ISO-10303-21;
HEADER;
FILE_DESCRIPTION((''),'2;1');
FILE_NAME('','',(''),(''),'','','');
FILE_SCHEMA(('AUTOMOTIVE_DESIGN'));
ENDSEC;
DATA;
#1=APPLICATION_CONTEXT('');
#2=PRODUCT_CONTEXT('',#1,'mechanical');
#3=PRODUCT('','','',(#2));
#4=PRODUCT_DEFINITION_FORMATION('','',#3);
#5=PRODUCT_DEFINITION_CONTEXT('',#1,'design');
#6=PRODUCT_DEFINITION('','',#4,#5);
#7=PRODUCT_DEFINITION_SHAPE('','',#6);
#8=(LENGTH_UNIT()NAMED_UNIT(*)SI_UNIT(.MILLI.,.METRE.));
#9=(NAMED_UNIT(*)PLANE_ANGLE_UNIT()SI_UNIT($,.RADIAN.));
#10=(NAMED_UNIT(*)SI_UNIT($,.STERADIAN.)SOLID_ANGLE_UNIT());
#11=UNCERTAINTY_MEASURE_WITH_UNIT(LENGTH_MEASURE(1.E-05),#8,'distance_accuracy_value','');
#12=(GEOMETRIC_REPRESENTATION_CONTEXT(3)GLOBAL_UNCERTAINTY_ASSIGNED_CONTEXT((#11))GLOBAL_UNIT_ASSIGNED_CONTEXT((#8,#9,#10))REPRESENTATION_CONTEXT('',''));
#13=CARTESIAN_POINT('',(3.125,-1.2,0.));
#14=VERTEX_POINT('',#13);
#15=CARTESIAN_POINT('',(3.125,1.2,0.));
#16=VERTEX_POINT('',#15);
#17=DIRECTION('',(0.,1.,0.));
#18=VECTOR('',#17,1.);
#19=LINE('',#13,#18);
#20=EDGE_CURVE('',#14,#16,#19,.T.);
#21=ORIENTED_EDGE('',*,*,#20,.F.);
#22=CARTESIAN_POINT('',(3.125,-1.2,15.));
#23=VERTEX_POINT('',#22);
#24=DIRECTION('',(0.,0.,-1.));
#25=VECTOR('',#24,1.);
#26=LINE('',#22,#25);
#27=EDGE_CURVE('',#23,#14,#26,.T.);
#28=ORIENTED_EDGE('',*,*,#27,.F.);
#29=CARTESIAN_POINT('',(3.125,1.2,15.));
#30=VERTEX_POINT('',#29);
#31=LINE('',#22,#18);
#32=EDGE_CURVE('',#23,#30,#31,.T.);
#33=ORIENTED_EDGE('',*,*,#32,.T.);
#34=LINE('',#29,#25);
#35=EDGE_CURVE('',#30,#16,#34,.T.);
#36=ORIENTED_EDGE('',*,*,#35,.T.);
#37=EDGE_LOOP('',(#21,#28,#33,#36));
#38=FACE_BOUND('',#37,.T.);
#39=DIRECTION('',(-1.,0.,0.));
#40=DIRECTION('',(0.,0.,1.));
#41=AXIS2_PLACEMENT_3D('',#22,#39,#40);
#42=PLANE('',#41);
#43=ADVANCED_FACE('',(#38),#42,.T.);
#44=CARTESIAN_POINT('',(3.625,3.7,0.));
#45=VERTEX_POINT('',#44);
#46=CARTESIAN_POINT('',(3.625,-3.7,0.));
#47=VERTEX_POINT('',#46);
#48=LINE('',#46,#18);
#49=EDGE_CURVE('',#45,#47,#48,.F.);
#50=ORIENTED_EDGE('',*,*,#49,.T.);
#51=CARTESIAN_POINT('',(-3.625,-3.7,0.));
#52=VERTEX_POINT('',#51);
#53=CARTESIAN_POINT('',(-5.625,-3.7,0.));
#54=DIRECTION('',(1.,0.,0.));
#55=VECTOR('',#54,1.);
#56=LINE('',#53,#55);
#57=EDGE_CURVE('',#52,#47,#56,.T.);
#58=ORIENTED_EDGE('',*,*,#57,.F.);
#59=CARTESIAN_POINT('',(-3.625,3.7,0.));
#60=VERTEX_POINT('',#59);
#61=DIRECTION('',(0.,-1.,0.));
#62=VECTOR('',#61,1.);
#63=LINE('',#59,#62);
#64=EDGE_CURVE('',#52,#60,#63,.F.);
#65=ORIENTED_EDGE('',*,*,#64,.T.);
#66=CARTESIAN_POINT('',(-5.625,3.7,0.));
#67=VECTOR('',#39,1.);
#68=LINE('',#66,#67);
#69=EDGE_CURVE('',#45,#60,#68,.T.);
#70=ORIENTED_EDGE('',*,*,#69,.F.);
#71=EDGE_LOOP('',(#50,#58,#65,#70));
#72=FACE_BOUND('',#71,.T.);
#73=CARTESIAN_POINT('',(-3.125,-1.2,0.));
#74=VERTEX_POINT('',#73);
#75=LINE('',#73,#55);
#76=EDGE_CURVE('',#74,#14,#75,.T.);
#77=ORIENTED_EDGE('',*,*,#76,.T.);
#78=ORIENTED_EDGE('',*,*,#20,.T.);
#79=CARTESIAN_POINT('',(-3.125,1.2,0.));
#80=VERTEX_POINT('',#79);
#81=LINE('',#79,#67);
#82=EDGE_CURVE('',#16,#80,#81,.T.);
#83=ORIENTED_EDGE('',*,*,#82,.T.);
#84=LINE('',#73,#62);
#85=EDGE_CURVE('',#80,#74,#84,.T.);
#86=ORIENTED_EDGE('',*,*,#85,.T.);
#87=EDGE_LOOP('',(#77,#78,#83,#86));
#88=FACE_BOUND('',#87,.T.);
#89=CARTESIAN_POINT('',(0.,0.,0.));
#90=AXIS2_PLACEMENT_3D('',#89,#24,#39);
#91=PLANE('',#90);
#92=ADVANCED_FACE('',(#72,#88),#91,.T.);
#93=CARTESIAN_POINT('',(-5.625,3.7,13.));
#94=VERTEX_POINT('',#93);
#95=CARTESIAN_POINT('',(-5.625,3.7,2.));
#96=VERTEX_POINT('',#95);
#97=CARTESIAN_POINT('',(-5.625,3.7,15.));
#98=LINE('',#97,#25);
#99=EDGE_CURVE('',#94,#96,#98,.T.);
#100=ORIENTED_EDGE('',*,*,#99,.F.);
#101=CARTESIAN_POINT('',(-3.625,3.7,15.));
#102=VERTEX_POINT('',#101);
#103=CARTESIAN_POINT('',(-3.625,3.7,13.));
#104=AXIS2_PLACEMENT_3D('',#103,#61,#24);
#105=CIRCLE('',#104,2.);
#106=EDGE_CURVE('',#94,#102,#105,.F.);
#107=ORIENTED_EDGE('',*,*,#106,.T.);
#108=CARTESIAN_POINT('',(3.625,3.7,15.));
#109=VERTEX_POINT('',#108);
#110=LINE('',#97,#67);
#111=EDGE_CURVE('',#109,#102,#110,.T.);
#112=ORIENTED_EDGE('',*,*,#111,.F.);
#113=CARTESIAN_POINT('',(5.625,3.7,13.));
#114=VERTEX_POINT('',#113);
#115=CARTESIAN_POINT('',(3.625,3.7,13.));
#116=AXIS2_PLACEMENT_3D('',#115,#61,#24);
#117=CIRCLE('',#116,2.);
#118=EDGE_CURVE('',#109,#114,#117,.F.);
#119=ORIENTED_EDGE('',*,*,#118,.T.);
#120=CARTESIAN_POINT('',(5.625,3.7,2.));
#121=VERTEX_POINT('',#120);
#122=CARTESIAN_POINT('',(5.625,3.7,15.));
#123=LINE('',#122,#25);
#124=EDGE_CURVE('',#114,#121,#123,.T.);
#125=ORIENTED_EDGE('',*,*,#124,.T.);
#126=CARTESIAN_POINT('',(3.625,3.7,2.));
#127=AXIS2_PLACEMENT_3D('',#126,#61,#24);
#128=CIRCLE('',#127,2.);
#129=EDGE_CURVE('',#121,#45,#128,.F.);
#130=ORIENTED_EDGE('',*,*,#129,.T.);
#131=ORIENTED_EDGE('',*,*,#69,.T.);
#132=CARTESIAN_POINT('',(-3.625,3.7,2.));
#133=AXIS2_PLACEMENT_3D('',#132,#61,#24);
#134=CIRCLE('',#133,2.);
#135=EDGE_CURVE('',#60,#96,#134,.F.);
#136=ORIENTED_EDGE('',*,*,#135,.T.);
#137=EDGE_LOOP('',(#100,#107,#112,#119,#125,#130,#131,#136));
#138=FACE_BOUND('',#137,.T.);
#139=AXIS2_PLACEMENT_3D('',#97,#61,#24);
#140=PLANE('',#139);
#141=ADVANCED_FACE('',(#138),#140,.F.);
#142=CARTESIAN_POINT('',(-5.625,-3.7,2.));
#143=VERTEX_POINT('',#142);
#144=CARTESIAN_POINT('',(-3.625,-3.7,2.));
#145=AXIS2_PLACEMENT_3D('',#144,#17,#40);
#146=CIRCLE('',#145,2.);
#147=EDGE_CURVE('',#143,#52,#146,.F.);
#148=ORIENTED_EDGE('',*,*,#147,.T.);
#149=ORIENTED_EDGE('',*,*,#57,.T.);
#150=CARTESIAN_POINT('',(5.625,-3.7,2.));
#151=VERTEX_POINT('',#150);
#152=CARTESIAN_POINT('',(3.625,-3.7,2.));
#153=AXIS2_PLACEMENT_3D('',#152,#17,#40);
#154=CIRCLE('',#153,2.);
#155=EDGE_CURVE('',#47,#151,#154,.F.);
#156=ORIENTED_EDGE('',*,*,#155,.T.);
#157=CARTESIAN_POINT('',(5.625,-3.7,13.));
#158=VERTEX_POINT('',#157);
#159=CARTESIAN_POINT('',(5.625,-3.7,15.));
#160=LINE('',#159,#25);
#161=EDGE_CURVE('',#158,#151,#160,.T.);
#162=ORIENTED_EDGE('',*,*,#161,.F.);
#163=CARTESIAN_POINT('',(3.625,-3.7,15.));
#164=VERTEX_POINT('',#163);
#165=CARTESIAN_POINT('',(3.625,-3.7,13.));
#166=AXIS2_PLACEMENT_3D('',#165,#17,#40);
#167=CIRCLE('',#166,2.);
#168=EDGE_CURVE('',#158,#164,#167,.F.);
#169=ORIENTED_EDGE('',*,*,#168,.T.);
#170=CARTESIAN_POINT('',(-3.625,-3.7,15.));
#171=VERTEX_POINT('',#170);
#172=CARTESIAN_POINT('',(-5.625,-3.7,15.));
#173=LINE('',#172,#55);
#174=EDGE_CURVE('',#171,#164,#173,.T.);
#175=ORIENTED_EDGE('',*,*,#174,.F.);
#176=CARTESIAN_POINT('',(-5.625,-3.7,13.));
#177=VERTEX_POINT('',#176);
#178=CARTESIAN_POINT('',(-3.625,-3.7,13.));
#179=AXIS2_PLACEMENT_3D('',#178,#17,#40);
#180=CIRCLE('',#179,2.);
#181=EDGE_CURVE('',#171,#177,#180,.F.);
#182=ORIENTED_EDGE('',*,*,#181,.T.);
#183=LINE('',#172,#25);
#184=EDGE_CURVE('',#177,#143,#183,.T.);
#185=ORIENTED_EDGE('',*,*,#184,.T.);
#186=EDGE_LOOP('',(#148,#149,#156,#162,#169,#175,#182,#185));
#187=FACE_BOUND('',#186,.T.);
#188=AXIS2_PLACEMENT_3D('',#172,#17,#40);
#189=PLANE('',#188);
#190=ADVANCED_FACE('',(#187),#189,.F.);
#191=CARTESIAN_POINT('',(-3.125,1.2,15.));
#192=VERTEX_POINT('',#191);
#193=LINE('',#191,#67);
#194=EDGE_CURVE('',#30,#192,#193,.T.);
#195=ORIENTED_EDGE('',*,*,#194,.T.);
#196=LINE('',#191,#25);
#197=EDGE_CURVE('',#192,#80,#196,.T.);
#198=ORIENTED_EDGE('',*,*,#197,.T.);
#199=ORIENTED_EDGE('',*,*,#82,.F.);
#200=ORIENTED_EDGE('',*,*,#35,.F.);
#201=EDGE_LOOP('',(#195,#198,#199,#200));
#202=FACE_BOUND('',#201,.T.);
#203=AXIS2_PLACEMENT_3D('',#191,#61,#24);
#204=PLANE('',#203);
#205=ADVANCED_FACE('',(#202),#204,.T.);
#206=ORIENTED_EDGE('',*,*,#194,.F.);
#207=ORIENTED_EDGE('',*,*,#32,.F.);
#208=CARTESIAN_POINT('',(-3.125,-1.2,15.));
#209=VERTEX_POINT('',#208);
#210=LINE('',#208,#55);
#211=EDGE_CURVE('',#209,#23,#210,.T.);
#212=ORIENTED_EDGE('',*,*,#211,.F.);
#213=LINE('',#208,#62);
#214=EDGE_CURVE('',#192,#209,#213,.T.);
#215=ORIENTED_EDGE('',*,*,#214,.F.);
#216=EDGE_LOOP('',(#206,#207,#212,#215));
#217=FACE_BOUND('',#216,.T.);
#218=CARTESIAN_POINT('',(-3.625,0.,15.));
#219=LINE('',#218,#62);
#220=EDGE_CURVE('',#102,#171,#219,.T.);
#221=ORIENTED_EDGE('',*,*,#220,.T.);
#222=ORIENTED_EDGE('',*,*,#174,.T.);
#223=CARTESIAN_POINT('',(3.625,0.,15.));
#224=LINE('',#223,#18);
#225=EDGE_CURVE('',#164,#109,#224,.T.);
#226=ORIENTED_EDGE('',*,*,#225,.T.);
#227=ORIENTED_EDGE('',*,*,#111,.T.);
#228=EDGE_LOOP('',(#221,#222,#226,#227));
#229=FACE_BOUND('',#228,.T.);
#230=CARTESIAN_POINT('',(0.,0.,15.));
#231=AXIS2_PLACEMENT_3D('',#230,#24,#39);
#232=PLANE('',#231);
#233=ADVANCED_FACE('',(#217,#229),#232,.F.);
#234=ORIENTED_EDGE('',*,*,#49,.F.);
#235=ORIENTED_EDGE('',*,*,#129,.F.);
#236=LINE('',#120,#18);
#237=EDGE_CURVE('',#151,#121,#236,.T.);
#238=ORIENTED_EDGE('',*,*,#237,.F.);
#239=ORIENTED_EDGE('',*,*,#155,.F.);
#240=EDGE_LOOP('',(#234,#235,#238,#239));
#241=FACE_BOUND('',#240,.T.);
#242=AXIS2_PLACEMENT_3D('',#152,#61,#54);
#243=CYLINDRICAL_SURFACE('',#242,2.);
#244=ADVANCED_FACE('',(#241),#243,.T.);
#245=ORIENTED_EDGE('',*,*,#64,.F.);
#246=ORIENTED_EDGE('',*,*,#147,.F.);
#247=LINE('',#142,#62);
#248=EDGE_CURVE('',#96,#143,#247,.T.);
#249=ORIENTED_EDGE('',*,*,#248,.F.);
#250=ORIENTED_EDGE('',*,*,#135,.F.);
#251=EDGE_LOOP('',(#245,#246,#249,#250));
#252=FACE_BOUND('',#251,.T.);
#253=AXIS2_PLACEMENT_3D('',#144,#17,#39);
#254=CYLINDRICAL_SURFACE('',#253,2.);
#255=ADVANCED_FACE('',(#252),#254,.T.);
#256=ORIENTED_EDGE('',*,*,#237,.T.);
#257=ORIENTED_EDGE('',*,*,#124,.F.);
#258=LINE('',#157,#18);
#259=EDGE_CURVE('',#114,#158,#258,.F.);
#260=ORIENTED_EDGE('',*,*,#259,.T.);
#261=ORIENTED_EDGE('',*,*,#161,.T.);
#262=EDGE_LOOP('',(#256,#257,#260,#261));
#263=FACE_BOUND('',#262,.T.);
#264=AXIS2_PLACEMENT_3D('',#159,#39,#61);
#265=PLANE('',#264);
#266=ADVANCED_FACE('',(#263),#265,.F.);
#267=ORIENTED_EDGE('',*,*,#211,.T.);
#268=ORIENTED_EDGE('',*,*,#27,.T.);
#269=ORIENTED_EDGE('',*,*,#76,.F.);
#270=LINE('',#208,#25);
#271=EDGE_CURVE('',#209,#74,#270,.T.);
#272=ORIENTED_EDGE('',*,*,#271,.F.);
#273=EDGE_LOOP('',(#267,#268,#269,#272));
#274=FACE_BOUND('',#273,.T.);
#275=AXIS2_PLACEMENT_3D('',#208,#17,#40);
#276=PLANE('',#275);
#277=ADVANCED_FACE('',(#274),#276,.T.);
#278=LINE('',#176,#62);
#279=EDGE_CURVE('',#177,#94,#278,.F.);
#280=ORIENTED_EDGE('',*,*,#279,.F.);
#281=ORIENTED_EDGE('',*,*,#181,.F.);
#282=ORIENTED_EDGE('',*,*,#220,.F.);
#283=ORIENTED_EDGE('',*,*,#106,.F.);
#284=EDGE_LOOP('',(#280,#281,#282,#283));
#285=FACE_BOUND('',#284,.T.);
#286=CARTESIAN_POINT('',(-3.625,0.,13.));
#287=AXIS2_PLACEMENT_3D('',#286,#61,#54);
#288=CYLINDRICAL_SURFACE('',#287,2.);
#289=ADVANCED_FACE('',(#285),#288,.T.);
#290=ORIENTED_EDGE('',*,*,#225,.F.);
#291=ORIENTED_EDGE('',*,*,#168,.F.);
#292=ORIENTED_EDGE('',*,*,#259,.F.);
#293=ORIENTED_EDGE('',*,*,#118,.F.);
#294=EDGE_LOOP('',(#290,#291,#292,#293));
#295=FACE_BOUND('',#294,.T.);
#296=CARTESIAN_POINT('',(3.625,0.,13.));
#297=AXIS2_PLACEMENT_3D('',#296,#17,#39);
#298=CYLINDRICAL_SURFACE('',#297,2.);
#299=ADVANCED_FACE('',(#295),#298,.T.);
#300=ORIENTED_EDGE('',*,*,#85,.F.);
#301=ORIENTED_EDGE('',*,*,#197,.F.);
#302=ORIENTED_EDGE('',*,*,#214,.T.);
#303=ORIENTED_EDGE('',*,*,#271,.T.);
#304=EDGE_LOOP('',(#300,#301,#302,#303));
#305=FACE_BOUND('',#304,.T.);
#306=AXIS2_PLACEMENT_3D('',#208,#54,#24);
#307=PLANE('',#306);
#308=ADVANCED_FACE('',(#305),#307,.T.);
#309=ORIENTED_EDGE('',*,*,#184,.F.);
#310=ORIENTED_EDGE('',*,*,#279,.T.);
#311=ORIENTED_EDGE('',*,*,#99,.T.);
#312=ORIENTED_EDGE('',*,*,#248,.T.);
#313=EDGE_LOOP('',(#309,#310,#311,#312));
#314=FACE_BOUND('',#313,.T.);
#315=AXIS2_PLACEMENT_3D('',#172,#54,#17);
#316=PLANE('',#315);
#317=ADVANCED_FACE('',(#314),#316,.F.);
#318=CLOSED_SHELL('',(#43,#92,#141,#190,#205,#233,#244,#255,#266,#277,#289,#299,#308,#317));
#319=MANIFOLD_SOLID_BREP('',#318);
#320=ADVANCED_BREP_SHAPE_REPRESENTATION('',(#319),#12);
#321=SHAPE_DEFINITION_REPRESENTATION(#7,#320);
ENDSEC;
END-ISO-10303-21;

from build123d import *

# Parameters (mm, degrees)
PROFILE_SKETCH_W      = 11.25
PROFILE_SKETCH_H      = 7.4
PROFILE_SKETCH_W_2    = 6.25
PROFILE_SKETCH_H_2    = 2.4
PROFILE_EXTRUDE_DEPTH = 15
CORNER_FILLETS_R      = 2


with BuildPart() as part:
    # Profile Sketch → Profile Extrude (new body)
    with BuildSketch(Plane.XY):
        Rectangle(PROFILE_SKETCH_W, PROFILE_SKETCH_H)
        Rectangle(PROFILE_SKETCH_W_2, PROFILE_SKETCH_H_2, mode=Mode.SUBTRACT)
    extrude(amount=PROFILE_EXTRUDE_DEPTH)

    # Corner Fillets
    corner_fillets_edges = [part.edges().sort_by_distance(p)[0] for p in [
        (-5.625, 0, 15),
        (5.625, 0, 15),
        (-5.625, 0, 0),
        (5.625, 0, 0),
    ]]
    fillet(corner_fillets_edges, radius=CORNER_FILLETS_R)


solid = part.part
